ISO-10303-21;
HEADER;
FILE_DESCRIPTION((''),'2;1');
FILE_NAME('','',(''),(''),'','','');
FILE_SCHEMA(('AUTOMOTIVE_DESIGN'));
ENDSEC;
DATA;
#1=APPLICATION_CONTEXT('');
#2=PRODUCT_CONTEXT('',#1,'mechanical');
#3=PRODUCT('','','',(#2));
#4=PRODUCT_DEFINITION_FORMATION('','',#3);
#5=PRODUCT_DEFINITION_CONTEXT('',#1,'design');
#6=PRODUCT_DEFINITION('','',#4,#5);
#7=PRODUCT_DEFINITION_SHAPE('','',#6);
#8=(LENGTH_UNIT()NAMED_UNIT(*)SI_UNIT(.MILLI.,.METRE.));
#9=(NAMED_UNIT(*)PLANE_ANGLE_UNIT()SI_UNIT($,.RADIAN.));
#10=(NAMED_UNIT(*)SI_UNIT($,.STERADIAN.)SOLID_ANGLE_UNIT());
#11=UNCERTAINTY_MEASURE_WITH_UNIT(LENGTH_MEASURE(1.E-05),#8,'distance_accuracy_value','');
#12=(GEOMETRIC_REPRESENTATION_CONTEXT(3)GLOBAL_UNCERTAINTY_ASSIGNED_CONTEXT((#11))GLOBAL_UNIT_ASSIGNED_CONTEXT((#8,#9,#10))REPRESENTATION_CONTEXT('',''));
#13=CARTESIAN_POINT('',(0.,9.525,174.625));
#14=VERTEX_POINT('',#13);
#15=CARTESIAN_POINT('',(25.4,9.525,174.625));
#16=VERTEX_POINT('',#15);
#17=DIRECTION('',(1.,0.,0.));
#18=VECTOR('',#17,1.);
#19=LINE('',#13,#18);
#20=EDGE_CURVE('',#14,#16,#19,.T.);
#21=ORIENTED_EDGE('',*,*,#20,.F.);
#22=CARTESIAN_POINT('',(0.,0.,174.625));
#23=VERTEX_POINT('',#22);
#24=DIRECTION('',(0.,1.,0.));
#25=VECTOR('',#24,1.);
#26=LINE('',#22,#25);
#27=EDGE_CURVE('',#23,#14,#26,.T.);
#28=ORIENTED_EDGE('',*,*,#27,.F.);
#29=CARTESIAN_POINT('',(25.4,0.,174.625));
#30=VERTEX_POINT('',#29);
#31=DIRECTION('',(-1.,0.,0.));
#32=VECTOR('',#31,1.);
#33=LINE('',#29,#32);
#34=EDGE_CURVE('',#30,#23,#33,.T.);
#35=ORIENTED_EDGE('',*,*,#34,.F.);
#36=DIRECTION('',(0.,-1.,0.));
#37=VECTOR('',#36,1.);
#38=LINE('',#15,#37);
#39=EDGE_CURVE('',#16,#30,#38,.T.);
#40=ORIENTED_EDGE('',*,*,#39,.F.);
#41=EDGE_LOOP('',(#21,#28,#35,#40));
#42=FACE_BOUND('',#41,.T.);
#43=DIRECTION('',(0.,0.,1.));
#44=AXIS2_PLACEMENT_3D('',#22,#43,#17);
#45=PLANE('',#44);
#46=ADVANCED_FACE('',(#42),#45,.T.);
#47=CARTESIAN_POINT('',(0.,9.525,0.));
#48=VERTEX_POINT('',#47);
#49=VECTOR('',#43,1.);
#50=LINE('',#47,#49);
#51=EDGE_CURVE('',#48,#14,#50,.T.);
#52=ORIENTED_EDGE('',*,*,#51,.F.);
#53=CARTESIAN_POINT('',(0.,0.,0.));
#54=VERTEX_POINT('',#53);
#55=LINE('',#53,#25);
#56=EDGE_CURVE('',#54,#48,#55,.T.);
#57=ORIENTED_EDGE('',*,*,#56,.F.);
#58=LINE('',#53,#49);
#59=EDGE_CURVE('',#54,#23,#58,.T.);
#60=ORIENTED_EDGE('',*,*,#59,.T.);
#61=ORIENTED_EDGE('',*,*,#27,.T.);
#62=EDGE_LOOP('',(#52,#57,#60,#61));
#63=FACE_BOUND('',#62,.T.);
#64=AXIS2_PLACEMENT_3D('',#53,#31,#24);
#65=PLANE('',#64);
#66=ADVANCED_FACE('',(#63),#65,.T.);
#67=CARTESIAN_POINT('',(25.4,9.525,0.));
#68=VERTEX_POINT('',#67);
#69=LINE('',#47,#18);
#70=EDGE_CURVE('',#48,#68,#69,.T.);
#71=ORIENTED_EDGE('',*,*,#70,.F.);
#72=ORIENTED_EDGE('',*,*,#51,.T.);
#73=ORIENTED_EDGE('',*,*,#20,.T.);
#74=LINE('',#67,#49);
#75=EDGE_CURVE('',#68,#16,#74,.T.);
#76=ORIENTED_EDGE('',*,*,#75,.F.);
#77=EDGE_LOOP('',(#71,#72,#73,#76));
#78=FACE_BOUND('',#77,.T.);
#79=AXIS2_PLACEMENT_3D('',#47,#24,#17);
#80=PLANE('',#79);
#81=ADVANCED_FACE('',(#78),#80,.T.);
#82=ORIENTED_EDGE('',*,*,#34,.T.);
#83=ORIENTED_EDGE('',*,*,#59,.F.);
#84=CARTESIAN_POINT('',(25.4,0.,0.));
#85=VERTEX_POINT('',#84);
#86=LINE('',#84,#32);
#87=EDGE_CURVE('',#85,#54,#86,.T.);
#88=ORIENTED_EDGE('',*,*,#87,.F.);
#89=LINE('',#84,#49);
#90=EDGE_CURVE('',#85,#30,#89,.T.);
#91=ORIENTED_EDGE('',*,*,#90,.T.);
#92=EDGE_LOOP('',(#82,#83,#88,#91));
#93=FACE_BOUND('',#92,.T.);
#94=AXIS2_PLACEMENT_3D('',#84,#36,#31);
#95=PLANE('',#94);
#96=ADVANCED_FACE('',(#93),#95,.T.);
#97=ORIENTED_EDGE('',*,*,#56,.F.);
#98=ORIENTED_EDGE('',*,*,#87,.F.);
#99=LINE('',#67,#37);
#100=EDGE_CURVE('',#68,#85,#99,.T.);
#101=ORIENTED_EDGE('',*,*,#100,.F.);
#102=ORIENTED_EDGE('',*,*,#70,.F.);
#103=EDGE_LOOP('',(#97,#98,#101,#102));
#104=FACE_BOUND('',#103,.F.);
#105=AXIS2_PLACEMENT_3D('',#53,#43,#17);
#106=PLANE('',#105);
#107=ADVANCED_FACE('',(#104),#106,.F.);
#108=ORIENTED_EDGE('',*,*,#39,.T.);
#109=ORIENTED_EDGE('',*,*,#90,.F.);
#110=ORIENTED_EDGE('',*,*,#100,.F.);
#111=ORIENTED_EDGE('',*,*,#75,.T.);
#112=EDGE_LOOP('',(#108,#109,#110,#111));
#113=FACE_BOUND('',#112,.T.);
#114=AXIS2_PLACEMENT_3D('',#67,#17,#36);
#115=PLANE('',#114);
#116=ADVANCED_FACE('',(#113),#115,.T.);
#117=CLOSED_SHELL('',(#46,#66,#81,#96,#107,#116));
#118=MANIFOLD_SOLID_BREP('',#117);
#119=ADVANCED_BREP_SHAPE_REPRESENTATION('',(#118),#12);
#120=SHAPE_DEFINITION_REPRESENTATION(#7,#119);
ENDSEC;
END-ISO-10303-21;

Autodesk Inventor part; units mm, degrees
ref_plane "YZ Plane" through (0, 0, 0) normal (1, 0, 0) x (0, 1, 0)
ref_plane "XZ Plane" through (0, 0, 0) normal (0, 1, 0) x (-1, 0, 0)
ref_plane "XY Plane" through (0, 0, 0) normal (0, 0, 1) x (1, 0, 0)
sketch "Sketch1" plane through (0, 0, 0) normal (0, 0, 1) x (1, 0, 0)
  line L0 (0, 9.525) -> (25.4, 9.525)
  line L1 (25.4, 9.525) -> (25.4, 0)
  line L2 (25.4, 0) -> (0, 0)
  line L3 (0, 0) -> (0, 9.525)
  dimension "d0" = 9.525
  dimension "d1" = 25.4
extrude "Extrusion1" add sketch "Sketch1" along normal blind 174.625
properties part number "BB FRONT A SPACER 2"
